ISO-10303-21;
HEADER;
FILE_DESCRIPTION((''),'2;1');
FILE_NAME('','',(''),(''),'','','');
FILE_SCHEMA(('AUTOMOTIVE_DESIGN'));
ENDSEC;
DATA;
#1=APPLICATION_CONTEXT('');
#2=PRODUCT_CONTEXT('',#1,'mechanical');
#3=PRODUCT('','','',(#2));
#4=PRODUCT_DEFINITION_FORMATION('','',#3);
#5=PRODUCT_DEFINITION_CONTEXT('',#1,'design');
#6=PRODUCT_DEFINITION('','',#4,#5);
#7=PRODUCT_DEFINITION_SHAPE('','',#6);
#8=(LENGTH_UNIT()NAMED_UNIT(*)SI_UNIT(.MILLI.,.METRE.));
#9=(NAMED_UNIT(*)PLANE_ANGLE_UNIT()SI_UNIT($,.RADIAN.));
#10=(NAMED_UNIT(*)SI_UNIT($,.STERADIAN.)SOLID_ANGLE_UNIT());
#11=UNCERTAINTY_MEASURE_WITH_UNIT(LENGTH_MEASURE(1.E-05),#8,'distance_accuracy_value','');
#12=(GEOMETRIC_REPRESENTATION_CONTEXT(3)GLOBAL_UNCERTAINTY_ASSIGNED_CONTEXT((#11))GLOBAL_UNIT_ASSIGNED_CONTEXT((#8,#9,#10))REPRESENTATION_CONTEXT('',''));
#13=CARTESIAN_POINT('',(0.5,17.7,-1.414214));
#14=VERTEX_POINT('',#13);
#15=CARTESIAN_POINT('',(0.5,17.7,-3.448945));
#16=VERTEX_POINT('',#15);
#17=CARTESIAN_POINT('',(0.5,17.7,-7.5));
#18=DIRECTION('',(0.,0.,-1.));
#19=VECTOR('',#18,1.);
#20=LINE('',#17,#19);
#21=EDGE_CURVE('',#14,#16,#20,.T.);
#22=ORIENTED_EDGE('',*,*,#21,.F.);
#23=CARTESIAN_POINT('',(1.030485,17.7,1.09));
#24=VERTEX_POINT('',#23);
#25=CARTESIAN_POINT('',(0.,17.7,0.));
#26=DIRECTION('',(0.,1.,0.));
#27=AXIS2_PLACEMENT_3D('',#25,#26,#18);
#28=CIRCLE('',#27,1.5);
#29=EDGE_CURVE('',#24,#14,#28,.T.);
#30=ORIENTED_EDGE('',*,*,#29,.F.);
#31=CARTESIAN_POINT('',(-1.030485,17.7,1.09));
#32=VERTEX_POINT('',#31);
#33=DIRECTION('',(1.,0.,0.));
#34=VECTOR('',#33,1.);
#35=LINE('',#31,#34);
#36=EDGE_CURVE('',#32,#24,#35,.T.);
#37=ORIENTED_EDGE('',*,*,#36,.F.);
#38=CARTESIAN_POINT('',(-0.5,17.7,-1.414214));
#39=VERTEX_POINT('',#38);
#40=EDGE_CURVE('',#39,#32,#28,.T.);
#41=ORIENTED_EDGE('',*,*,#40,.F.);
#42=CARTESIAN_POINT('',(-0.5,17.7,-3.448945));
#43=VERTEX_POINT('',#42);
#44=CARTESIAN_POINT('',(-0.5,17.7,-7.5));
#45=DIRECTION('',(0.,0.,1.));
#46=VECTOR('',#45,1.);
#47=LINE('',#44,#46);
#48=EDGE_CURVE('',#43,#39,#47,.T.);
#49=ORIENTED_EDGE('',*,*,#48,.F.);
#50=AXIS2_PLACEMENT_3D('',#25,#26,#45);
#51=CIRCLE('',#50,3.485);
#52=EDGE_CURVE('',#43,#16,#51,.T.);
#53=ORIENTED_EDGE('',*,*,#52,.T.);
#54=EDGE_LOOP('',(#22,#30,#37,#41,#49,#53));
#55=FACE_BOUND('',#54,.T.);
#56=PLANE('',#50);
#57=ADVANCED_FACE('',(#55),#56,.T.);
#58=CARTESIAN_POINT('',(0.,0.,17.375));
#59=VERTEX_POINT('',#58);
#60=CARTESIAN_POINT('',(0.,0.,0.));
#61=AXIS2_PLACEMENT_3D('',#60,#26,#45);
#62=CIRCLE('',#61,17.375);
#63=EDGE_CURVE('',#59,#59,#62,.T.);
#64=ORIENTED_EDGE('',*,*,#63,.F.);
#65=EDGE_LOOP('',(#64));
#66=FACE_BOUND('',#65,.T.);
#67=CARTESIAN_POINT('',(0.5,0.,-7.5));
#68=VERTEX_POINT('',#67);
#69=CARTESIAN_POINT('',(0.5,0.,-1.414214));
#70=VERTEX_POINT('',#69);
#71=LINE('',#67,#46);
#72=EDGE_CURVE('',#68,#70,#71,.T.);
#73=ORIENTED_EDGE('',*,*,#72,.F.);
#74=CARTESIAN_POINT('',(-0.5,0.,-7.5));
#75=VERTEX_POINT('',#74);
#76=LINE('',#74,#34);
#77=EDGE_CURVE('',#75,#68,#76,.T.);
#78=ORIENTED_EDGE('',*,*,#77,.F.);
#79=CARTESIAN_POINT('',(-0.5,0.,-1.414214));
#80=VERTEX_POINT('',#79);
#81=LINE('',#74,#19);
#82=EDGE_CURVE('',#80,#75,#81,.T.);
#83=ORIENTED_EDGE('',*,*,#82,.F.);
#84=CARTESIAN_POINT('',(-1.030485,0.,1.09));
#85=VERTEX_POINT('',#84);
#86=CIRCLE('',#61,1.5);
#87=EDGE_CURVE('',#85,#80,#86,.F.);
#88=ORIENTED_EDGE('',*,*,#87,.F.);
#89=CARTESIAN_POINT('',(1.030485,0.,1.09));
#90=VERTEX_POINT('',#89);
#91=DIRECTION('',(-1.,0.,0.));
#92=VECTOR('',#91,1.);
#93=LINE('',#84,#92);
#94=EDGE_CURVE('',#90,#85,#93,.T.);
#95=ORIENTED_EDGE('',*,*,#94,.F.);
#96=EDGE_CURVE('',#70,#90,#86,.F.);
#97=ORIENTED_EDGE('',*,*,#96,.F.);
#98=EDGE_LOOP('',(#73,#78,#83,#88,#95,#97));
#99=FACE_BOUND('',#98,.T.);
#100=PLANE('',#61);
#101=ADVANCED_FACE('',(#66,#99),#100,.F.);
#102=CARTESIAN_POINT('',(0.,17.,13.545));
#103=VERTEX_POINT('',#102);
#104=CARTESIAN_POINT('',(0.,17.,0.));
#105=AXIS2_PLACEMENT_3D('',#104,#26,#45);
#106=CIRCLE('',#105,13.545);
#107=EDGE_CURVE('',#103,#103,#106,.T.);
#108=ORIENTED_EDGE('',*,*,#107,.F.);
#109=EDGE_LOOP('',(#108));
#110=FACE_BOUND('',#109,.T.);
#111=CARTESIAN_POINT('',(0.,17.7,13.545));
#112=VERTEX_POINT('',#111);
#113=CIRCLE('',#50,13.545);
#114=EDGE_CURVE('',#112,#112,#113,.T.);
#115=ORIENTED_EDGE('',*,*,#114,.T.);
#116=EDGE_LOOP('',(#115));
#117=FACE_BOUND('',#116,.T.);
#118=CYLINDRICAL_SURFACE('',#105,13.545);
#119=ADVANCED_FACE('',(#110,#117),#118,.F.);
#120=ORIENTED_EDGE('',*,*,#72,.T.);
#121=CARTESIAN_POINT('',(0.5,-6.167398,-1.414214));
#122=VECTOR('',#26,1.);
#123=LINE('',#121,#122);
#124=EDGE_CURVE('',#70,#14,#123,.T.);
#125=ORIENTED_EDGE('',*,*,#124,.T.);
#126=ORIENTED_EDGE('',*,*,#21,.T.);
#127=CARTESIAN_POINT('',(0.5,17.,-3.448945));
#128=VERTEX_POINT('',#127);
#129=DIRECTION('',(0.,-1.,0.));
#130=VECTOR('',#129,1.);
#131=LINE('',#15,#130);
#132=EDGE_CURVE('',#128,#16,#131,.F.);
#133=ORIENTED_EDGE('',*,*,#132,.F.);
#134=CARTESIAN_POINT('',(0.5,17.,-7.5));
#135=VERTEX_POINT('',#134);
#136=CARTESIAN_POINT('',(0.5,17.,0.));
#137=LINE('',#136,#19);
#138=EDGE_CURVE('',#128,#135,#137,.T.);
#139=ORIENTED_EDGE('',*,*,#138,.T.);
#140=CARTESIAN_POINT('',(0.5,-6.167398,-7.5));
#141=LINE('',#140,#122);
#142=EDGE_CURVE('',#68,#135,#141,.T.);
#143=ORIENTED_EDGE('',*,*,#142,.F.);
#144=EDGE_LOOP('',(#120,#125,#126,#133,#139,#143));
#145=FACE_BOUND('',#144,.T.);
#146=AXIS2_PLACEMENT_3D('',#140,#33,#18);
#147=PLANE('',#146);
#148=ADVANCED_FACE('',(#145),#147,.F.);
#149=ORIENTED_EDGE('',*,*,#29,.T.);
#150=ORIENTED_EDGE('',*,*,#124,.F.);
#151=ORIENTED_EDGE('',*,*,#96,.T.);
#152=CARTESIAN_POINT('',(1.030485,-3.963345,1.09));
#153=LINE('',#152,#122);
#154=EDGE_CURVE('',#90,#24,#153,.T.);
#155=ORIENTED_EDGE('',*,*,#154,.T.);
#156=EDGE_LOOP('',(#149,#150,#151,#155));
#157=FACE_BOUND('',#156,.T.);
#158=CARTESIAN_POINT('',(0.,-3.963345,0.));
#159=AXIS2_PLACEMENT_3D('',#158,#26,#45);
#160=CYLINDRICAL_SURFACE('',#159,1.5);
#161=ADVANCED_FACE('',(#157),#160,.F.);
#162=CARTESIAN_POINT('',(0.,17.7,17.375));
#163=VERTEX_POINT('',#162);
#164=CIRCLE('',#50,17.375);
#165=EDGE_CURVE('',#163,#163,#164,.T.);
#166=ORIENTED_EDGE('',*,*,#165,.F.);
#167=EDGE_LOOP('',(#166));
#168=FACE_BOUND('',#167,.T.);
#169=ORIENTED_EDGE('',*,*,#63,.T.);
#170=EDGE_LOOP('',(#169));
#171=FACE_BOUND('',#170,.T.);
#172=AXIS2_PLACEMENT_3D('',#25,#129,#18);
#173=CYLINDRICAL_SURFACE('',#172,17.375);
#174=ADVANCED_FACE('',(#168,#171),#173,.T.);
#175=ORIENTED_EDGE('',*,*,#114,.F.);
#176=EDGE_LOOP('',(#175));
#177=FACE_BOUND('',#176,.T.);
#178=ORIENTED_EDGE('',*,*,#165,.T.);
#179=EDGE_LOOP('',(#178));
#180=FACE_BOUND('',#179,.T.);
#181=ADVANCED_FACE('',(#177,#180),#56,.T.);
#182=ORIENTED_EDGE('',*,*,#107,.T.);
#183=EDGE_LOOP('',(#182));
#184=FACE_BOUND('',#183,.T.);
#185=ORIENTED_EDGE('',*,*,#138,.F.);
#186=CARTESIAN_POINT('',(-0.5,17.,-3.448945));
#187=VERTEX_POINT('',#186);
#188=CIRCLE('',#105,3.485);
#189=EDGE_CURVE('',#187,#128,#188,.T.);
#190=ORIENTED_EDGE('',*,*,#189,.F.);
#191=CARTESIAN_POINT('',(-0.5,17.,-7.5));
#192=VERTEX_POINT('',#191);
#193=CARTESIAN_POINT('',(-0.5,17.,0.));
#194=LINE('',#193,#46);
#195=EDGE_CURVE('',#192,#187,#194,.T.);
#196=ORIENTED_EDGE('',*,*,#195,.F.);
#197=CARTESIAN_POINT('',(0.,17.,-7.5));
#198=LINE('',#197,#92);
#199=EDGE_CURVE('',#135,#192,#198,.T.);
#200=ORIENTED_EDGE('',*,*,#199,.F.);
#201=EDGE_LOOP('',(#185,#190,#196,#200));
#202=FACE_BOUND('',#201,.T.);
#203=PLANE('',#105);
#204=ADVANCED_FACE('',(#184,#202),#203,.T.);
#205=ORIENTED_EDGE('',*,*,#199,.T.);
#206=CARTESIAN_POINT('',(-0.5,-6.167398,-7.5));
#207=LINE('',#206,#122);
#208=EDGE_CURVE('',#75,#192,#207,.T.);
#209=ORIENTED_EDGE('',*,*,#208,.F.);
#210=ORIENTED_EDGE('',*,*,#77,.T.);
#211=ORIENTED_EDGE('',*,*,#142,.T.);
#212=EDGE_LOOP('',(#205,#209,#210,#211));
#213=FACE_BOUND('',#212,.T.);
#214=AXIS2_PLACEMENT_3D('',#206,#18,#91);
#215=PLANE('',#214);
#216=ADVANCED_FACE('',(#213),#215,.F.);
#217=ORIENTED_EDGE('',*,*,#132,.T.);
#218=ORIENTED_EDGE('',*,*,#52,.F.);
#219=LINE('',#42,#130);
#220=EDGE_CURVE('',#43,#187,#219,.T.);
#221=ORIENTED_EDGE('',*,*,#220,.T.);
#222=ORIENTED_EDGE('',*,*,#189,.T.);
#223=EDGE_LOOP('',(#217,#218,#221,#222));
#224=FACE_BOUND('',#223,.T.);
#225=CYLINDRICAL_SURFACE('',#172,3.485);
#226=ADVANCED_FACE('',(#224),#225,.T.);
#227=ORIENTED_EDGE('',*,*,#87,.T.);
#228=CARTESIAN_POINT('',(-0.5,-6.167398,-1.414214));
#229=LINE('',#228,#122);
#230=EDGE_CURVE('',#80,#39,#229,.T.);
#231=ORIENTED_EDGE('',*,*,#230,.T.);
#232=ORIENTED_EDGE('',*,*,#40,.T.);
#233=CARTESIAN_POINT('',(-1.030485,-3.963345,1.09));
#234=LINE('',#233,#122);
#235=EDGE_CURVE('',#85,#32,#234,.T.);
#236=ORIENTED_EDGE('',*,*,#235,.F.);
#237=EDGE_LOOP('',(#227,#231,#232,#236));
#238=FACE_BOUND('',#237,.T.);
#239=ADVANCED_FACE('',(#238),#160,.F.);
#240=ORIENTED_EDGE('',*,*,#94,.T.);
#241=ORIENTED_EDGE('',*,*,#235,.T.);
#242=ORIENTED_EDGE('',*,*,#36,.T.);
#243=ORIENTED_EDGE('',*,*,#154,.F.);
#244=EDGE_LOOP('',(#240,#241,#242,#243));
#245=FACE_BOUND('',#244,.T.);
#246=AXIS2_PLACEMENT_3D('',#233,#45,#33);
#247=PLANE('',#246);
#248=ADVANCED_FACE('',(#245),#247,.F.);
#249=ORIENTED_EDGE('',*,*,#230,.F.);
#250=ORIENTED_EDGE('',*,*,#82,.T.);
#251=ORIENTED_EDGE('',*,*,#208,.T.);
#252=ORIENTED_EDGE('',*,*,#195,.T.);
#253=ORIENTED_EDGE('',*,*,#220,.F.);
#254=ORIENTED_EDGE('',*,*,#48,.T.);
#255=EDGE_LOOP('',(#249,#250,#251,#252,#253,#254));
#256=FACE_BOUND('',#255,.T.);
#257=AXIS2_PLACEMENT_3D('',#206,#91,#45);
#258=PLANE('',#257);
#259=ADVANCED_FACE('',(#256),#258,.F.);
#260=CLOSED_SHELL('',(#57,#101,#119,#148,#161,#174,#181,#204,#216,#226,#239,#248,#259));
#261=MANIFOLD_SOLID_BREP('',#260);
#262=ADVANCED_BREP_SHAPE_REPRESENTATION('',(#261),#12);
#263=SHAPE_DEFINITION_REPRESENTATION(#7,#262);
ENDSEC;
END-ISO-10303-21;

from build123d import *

# Parameters (mm, degrees)
SKETCH1_R           = 17.375
BOSS_EXTRUDE1_DEPTH = 17.7
SKETCH3_R           = 13.545
CUT_EXTRUDE1_DEPTH  = 0.7
SKETCH4_R           = 3.485
BOSS_EXTRUDE2_DEPTH = 0.7
CUT_EXTRUDE2_DEPTH  = 17.7
SKETCH6_W           = 1
SKETCH6_H           = 6.085786438
CUT_EXTRUDE3_DEPTH  = 17.7


with BuildPart() as part:
    # Sketch1 → Boss-Extrude1 (new body)
    with BuildSketch(Plane(origin=(0, 0, 0), x_dir=(1, 0, 0), z_dir=(0, 1, 0))):
        Circle(SKETCH1_R)
    extrude(amount=BOSS_EXTRUDE1_DEPTH)

    # Sketch3 → Cut-Extrude1 (cut)
    with BuildSketch(Plane(origin=(0, 17.7, 0), x_dir=(1, 0, 0), z_dir=(0, 1, 0))):
        Circle(SKETCH3_R)
    extrude(amount=-CUT_EXTRUDE1_DEPTH, mode=Mode.SUBTRACT)

    # Sketch4 → Boss-Extrude2 (add)
    with BuildSketch(Plane(origin=(0, 17, 0), x_dir=(1, 0, 0), z_dir=(0, 1, 0))):
        Circle(SKETCH4_R)
    extrude(amount=BOSS_EXTRUDE2_DEPTH)

    # Sketch5 → Cut-Extrude2 (cut)
    with BuildSketch(Plane(origin=(0, 17.7, 0), x_dir=(1, 0, 0), z_dir=(0, 1, 0))):
        with BuildLine():
            Line((-1.030485323, -1.09), (1.030485323, -1.09))
            ThreePointArc((1.030485323, -1.09), (0, 1.5), (-1.030485323, -1.09))
        make_face()
    extrude(amount=-CUT_EXTRUDE2_DEPTH, mode=Mode.SUBTRACT)

    # Sketch6 → Cut-Extrude3 (cut)
    with BuildSketch(Plane(origin=(0, 17.7, 0), x_dir=(1, 0, 0), z_dir=(0, 1, 0))):
        with Locations((0, 4.457106781)):
            Rectangle(SKETCH6_W, SKETCH6_H)
    extrude(amount=-CUT_EXTRUDE3_DEPTH, mode=Mode.SUBTRACT)


solid = part.part
